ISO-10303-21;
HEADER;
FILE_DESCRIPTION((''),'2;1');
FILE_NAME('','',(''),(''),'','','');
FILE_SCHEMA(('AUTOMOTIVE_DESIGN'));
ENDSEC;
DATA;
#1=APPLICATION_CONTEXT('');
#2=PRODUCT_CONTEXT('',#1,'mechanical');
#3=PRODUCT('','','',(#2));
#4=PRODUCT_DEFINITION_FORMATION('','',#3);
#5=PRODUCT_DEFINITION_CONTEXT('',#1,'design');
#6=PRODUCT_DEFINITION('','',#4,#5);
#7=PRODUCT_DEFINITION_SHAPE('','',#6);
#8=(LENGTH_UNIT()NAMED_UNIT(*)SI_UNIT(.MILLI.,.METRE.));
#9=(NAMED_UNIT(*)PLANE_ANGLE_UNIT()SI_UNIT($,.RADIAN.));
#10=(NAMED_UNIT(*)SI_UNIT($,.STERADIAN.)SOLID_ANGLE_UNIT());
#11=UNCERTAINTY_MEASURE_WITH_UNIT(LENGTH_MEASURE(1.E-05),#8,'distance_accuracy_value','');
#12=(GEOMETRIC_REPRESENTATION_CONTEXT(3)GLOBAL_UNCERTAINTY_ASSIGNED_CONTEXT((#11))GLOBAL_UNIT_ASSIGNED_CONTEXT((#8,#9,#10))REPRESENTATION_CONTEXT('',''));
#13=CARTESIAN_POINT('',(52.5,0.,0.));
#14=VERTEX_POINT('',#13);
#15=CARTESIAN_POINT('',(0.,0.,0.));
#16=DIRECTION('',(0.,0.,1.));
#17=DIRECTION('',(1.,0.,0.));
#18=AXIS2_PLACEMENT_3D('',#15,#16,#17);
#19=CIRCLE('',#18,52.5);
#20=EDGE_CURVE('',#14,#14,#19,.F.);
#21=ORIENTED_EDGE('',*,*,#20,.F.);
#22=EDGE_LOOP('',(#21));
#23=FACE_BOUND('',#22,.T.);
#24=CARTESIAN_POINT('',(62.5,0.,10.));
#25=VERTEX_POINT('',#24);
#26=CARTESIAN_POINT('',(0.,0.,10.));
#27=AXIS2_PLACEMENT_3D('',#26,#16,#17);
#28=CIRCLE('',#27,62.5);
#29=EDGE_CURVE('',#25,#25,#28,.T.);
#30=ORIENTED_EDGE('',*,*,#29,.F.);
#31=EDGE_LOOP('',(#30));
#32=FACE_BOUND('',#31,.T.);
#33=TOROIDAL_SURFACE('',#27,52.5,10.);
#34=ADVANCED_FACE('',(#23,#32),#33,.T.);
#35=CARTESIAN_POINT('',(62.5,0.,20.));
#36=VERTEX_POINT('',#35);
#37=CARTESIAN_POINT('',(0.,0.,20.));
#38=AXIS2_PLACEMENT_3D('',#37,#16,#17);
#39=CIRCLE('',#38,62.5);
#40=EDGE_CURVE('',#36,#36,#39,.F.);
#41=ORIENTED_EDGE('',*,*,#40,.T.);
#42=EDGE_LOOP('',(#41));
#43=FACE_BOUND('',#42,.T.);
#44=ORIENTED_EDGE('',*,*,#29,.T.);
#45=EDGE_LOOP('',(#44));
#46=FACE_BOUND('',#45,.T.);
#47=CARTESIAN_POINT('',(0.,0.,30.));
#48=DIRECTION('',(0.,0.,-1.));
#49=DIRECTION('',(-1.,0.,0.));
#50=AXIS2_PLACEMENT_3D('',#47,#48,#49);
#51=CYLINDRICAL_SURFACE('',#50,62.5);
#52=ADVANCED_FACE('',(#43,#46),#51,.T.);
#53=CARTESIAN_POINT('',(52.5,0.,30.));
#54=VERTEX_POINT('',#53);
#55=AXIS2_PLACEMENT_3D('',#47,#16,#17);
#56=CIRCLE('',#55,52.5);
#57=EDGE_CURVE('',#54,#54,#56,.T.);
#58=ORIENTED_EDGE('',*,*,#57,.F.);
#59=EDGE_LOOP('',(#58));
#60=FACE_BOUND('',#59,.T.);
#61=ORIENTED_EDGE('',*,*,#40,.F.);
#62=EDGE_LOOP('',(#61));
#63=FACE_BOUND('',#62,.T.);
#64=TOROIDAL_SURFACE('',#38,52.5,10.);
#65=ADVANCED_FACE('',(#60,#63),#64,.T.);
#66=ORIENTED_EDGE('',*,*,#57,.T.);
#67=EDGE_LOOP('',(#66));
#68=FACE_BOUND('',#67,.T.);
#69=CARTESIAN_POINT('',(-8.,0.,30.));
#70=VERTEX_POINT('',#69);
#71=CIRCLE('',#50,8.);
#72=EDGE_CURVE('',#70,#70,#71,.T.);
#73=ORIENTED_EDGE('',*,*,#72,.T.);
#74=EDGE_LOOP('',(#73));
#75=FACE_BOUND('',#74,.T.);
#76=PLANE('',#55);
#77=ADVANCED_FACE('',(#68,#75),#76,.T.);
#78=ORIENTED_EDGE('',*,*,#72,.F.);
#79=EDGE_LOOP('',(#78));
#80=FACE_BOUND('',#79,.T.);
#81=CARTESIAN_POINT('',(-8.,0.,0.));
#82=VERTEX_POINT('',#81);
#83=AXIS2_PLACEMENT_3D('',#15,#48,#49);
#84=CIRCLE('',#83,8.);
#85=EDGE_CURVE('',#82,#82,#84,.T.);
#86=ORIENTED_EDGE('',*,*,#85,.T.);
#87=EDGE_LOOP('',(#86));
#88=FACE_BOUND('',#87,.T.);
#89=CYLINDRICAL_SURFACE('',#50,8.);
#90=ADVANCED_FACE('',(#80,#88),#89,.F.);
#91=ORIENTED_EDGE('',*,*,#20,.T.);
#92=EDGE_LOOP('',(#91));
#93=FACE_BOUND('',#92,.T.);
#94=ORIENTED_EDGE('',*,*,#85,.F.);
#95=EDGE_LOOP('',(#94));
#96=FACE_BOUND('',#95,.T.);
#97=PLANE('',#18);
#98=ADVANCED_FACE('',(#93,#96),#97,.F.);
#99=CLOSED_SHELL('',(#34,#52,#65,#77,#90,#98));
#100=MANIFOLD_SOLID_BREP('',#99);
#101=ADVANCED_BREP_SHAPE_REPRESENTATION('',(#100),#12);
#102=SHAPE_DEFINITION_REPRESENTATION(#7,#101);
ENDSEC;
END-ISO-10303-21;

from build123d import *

# Parameters (mm, degrees)
SKETCH_2_R          = 62.5
EXTRUDE_1_DEPTH     = 30
FILLET_1_R          = 10
SKETCH_3_R          = 8
CUT_EXTRUDE_1_DEPTH = 31


with BuildPart() as part:
    # 草图2 → 凸台-拉伸1 (new body)
    with BuildSketch(Plane.XY):
        Circle(SKETCH_2_R)
    extrude(amount=EXTRUDE_1_DEPTH)

    # 圆角1
    fillet_1_edges = [part.edges().sort_by_distance(p)[0] for p in [
        (-62.5, 0, 0),
        (-62.5, 0, 30),
    ]]
    fillet(fillet_1_edges, radius=FILLET_1_R)

    # 草图3 → 切除-拉伸1 (cut, through all)
    with BuildSketch(Plane(origin=(0, 0, 0), x_dir=(-1, 0, 0), z_dir=(0, 0, -1))):
        Circle(SKETCH_3_R)
    extrude(amount=-CUT_EXTRUDE_1_DEPTH, mode=Mode.SUBTRACT)


solid = part.part
